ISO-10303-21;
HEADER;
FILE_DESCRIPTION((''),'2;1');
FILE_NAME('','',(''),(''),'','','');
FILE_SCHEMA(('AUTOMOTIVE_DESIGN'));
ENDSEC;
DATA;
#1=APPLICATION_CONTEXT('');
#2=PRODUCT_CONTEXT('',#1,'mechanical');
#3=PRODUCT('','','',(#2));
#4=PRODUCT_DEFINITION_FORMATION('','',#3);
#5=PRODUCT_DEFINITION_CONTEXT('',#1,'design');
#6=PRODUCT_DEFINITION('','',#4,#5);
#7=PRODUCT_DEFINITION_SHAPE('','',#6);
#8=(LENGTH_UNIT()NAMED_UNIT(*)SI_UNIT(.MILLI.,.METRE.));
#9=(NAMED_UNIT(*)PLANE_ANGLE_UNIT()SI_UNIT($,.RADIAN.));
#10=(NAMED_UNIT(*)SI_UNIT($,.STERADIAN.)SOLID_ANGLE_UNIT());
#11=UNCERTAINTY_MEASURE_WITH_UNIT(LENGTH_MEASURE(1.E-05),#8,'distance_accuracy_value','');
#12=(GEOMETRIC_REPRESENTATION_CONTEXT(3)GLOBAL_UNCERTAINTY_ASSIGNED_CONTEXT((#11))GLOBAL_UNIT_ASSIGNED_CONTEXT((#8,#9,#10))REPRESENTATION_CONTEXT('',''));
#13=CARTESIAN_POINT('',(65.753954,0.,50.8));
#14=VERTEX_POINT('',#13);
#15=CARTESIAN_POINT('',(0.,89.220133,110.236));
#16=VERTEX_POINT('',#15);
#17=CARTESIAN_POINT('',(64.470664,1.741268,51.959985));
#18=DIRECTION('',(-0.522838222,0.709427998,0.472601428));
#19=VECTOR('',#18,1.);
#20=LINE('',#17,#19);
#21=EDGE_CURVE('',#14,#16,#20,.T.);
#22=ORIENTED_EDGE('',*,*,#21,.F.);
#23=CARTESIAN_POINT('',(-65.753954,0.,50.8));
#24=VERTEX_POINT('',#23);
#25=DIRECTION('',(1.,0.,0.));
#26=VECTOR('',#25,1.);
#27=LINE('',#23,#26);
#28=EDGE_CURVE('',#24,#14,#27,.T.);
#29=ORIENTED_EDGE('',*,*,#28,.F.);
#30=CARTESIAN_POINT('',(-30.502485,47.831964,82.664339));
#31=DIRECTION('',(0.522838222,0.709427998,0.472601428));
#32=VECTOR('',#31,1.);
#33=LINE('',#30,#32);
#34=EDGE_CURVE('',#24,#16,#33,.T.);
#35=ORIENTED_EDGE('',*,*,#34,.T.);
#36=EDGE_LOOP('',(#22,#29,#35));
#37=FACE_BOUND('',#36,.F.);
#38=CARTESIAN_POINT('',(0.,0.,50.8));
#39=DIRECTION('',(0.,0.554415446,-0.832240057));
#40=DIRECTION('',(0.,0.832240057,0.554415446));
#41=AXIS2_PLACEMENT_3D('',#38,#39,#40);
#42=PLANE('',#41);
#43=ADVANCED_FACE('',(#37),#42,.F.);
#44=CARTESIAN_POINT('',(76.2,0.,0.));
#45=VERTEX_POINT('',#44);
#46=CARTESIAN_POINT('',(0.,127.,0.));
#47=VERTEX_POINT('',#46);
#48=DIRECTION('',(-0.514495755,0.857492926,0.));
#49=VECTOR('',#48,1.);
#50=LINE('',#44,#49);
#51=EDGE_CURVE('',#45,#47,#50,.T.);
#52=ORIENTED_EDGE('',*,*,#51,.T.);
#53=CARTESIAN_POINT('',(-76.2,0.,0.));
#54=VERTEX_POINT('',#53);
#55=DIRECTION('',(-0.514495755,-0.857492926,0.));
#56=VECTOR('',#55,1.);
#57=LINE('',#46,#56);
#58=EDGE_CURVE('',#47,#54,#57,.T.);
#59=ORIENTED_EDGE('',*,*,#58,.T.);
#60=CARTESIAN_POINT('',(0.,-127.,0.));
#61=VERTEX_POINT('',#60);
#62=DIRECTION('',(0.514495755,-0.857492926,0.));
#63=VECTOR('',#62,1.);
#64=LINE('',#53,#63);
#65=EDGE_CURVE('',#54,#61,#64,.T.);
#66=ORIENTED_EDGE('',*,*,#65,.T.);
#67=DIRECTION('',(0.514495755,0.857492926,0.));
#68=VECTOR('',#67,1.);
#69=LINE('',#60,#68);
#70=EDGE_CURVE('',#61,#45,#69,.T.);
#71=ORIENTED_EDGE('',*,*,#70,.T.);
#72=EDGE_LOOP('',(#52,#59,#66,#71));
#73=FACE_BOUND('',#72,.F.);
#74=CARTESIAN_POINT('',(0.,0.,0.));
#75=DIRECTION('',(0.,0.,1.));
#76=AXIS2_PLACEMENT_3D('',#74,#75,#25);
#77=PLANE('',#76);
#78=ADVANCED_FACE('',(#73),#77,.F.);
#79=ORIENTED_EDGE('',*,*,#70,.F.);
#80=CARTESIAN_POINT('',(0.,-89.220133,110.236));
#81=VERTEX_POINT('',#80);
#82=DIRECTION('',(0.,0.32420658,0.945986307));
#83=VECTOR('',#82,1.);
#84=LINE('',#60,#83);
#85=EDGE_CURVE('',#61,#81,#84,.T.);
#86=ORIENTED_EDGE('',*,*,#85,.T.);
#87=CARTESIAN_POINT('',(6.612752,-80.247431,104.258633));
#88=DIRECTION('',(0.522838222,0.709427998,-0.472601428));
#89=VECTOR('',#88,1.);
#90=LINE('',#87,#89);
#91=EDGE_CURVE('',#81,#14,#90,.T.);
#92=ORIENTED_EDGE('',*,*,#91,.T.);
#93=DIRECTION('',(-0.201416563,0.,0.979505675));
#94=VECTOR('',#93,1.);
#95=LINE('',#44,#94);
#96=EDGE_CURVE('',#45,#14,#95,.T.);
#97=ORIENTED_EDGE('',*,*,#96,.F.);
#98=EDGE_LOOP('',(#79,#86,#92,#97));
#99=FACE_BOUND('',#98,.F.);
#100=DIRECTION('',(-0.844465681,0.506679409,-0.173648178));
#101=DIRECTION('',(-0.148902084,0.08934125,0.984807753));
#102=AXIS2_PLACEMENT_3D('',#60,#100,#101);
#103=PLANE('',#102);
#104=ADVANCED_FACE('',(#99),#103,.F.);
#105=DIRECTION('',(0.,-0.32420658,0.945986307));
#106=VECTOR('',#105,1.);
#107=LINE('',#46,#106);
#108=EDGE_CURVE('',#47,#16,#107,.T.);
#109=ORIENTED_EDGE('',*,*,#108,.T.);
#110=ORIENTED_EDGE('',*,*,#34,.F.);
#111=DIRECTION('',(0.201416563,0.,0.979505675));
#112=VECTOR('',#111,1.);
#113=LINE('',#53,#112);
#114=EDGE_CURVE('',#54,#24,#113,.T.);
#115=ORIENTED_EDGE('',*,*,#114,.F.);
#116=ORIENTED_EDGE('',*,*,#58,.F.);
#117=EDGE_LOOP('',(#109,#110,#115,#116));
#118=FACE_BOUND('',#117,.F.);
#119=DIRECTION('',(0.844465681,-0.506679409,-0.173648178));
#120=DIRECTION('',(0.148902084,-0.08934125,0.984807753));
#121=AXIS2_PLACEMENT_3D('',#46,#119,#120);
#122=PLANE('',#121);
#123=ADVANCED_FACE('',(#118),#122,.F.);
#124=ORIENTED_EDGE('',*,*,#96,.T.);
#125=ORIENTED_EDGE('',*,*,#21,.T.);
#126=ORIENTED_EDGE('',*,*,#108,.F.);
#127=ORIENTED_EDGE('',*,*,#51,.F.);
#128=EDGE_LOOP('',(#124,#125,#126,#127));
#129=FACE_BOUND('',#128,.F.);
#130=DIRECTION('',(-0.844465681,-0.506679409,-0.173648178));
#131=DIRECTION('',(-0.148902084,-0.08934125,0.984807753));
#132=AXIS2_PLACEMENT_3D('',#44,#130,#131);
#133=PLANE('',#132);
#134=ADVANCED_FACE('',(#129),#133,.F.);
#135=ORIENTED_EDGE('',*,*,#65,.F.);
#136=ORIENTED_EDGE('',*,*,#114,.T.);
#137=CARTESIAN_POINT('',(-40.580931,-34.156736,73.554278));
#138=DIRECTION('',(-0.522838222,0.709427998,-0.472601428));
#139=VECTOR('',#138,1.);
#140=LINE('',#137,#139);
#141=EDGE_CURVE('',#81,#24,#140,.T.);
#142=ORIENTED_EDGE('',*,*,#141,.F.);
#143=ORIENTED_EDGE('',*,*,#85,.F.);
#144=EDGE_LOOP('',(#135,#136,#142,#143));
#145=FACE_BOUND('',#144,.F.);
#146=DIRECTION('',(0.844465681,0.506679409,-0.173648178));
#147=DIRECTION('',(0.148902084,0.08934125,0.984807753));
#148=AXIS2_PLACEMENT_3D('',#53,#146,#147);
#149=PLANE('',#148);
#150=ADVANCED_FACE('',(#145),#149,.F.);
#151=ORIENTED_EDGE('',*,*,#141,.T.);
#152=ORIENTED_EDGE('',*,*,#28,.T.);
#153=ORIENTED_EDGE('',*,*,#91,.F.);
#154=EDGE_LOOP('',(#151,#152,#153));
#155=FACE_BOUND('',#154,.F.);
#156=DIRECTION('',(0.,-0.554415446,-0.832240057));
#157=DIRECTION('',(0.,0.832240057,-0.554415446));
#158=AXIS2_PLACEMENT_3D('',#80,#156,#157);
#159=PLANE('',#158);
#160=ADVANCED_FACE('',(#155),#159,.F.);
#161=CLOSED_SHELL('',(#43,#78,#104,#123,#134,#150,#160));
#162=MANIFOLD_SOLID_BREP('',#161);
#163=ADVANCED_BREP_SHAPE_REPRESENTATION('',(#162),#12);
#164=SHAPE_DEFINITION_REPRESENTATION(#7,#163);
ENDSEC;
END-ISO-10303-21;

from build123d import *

# Parameters (mm, degrees)
F1_DEPTH      = 110.236
F1_TAPER      = 10
F3_DEPTH      = 76.454
F3_DEPTH_BACK = 91.44


with BuildPart() as f1:
    # F0 (on Top) → F1 (new body)
    with BuildSketch(Plane.XY):
        Polygon((0, 127), (-76.2, 0), (0, -127), (76.2, 0), align=None)
    extrude(amount=F1_DEPTH, taper=F1_TAPER)

    # F2 (on Right) → F3 (cut, two sides)
    with BuildSketch(Plane.YZ) as f3_sk:
        Polygon((0, 50.8), (89.2201333241, 110.236), (-89.2201333241, 110.236), align=None)
    extrude(amount=-F3_DEPTH, mode=Mode.SUBTRACT)
    extrude(f3_sk.sketch, amount=F3_DEPTH_BACK, mode=Mode.SUBTRACT)


solid = f1.part
